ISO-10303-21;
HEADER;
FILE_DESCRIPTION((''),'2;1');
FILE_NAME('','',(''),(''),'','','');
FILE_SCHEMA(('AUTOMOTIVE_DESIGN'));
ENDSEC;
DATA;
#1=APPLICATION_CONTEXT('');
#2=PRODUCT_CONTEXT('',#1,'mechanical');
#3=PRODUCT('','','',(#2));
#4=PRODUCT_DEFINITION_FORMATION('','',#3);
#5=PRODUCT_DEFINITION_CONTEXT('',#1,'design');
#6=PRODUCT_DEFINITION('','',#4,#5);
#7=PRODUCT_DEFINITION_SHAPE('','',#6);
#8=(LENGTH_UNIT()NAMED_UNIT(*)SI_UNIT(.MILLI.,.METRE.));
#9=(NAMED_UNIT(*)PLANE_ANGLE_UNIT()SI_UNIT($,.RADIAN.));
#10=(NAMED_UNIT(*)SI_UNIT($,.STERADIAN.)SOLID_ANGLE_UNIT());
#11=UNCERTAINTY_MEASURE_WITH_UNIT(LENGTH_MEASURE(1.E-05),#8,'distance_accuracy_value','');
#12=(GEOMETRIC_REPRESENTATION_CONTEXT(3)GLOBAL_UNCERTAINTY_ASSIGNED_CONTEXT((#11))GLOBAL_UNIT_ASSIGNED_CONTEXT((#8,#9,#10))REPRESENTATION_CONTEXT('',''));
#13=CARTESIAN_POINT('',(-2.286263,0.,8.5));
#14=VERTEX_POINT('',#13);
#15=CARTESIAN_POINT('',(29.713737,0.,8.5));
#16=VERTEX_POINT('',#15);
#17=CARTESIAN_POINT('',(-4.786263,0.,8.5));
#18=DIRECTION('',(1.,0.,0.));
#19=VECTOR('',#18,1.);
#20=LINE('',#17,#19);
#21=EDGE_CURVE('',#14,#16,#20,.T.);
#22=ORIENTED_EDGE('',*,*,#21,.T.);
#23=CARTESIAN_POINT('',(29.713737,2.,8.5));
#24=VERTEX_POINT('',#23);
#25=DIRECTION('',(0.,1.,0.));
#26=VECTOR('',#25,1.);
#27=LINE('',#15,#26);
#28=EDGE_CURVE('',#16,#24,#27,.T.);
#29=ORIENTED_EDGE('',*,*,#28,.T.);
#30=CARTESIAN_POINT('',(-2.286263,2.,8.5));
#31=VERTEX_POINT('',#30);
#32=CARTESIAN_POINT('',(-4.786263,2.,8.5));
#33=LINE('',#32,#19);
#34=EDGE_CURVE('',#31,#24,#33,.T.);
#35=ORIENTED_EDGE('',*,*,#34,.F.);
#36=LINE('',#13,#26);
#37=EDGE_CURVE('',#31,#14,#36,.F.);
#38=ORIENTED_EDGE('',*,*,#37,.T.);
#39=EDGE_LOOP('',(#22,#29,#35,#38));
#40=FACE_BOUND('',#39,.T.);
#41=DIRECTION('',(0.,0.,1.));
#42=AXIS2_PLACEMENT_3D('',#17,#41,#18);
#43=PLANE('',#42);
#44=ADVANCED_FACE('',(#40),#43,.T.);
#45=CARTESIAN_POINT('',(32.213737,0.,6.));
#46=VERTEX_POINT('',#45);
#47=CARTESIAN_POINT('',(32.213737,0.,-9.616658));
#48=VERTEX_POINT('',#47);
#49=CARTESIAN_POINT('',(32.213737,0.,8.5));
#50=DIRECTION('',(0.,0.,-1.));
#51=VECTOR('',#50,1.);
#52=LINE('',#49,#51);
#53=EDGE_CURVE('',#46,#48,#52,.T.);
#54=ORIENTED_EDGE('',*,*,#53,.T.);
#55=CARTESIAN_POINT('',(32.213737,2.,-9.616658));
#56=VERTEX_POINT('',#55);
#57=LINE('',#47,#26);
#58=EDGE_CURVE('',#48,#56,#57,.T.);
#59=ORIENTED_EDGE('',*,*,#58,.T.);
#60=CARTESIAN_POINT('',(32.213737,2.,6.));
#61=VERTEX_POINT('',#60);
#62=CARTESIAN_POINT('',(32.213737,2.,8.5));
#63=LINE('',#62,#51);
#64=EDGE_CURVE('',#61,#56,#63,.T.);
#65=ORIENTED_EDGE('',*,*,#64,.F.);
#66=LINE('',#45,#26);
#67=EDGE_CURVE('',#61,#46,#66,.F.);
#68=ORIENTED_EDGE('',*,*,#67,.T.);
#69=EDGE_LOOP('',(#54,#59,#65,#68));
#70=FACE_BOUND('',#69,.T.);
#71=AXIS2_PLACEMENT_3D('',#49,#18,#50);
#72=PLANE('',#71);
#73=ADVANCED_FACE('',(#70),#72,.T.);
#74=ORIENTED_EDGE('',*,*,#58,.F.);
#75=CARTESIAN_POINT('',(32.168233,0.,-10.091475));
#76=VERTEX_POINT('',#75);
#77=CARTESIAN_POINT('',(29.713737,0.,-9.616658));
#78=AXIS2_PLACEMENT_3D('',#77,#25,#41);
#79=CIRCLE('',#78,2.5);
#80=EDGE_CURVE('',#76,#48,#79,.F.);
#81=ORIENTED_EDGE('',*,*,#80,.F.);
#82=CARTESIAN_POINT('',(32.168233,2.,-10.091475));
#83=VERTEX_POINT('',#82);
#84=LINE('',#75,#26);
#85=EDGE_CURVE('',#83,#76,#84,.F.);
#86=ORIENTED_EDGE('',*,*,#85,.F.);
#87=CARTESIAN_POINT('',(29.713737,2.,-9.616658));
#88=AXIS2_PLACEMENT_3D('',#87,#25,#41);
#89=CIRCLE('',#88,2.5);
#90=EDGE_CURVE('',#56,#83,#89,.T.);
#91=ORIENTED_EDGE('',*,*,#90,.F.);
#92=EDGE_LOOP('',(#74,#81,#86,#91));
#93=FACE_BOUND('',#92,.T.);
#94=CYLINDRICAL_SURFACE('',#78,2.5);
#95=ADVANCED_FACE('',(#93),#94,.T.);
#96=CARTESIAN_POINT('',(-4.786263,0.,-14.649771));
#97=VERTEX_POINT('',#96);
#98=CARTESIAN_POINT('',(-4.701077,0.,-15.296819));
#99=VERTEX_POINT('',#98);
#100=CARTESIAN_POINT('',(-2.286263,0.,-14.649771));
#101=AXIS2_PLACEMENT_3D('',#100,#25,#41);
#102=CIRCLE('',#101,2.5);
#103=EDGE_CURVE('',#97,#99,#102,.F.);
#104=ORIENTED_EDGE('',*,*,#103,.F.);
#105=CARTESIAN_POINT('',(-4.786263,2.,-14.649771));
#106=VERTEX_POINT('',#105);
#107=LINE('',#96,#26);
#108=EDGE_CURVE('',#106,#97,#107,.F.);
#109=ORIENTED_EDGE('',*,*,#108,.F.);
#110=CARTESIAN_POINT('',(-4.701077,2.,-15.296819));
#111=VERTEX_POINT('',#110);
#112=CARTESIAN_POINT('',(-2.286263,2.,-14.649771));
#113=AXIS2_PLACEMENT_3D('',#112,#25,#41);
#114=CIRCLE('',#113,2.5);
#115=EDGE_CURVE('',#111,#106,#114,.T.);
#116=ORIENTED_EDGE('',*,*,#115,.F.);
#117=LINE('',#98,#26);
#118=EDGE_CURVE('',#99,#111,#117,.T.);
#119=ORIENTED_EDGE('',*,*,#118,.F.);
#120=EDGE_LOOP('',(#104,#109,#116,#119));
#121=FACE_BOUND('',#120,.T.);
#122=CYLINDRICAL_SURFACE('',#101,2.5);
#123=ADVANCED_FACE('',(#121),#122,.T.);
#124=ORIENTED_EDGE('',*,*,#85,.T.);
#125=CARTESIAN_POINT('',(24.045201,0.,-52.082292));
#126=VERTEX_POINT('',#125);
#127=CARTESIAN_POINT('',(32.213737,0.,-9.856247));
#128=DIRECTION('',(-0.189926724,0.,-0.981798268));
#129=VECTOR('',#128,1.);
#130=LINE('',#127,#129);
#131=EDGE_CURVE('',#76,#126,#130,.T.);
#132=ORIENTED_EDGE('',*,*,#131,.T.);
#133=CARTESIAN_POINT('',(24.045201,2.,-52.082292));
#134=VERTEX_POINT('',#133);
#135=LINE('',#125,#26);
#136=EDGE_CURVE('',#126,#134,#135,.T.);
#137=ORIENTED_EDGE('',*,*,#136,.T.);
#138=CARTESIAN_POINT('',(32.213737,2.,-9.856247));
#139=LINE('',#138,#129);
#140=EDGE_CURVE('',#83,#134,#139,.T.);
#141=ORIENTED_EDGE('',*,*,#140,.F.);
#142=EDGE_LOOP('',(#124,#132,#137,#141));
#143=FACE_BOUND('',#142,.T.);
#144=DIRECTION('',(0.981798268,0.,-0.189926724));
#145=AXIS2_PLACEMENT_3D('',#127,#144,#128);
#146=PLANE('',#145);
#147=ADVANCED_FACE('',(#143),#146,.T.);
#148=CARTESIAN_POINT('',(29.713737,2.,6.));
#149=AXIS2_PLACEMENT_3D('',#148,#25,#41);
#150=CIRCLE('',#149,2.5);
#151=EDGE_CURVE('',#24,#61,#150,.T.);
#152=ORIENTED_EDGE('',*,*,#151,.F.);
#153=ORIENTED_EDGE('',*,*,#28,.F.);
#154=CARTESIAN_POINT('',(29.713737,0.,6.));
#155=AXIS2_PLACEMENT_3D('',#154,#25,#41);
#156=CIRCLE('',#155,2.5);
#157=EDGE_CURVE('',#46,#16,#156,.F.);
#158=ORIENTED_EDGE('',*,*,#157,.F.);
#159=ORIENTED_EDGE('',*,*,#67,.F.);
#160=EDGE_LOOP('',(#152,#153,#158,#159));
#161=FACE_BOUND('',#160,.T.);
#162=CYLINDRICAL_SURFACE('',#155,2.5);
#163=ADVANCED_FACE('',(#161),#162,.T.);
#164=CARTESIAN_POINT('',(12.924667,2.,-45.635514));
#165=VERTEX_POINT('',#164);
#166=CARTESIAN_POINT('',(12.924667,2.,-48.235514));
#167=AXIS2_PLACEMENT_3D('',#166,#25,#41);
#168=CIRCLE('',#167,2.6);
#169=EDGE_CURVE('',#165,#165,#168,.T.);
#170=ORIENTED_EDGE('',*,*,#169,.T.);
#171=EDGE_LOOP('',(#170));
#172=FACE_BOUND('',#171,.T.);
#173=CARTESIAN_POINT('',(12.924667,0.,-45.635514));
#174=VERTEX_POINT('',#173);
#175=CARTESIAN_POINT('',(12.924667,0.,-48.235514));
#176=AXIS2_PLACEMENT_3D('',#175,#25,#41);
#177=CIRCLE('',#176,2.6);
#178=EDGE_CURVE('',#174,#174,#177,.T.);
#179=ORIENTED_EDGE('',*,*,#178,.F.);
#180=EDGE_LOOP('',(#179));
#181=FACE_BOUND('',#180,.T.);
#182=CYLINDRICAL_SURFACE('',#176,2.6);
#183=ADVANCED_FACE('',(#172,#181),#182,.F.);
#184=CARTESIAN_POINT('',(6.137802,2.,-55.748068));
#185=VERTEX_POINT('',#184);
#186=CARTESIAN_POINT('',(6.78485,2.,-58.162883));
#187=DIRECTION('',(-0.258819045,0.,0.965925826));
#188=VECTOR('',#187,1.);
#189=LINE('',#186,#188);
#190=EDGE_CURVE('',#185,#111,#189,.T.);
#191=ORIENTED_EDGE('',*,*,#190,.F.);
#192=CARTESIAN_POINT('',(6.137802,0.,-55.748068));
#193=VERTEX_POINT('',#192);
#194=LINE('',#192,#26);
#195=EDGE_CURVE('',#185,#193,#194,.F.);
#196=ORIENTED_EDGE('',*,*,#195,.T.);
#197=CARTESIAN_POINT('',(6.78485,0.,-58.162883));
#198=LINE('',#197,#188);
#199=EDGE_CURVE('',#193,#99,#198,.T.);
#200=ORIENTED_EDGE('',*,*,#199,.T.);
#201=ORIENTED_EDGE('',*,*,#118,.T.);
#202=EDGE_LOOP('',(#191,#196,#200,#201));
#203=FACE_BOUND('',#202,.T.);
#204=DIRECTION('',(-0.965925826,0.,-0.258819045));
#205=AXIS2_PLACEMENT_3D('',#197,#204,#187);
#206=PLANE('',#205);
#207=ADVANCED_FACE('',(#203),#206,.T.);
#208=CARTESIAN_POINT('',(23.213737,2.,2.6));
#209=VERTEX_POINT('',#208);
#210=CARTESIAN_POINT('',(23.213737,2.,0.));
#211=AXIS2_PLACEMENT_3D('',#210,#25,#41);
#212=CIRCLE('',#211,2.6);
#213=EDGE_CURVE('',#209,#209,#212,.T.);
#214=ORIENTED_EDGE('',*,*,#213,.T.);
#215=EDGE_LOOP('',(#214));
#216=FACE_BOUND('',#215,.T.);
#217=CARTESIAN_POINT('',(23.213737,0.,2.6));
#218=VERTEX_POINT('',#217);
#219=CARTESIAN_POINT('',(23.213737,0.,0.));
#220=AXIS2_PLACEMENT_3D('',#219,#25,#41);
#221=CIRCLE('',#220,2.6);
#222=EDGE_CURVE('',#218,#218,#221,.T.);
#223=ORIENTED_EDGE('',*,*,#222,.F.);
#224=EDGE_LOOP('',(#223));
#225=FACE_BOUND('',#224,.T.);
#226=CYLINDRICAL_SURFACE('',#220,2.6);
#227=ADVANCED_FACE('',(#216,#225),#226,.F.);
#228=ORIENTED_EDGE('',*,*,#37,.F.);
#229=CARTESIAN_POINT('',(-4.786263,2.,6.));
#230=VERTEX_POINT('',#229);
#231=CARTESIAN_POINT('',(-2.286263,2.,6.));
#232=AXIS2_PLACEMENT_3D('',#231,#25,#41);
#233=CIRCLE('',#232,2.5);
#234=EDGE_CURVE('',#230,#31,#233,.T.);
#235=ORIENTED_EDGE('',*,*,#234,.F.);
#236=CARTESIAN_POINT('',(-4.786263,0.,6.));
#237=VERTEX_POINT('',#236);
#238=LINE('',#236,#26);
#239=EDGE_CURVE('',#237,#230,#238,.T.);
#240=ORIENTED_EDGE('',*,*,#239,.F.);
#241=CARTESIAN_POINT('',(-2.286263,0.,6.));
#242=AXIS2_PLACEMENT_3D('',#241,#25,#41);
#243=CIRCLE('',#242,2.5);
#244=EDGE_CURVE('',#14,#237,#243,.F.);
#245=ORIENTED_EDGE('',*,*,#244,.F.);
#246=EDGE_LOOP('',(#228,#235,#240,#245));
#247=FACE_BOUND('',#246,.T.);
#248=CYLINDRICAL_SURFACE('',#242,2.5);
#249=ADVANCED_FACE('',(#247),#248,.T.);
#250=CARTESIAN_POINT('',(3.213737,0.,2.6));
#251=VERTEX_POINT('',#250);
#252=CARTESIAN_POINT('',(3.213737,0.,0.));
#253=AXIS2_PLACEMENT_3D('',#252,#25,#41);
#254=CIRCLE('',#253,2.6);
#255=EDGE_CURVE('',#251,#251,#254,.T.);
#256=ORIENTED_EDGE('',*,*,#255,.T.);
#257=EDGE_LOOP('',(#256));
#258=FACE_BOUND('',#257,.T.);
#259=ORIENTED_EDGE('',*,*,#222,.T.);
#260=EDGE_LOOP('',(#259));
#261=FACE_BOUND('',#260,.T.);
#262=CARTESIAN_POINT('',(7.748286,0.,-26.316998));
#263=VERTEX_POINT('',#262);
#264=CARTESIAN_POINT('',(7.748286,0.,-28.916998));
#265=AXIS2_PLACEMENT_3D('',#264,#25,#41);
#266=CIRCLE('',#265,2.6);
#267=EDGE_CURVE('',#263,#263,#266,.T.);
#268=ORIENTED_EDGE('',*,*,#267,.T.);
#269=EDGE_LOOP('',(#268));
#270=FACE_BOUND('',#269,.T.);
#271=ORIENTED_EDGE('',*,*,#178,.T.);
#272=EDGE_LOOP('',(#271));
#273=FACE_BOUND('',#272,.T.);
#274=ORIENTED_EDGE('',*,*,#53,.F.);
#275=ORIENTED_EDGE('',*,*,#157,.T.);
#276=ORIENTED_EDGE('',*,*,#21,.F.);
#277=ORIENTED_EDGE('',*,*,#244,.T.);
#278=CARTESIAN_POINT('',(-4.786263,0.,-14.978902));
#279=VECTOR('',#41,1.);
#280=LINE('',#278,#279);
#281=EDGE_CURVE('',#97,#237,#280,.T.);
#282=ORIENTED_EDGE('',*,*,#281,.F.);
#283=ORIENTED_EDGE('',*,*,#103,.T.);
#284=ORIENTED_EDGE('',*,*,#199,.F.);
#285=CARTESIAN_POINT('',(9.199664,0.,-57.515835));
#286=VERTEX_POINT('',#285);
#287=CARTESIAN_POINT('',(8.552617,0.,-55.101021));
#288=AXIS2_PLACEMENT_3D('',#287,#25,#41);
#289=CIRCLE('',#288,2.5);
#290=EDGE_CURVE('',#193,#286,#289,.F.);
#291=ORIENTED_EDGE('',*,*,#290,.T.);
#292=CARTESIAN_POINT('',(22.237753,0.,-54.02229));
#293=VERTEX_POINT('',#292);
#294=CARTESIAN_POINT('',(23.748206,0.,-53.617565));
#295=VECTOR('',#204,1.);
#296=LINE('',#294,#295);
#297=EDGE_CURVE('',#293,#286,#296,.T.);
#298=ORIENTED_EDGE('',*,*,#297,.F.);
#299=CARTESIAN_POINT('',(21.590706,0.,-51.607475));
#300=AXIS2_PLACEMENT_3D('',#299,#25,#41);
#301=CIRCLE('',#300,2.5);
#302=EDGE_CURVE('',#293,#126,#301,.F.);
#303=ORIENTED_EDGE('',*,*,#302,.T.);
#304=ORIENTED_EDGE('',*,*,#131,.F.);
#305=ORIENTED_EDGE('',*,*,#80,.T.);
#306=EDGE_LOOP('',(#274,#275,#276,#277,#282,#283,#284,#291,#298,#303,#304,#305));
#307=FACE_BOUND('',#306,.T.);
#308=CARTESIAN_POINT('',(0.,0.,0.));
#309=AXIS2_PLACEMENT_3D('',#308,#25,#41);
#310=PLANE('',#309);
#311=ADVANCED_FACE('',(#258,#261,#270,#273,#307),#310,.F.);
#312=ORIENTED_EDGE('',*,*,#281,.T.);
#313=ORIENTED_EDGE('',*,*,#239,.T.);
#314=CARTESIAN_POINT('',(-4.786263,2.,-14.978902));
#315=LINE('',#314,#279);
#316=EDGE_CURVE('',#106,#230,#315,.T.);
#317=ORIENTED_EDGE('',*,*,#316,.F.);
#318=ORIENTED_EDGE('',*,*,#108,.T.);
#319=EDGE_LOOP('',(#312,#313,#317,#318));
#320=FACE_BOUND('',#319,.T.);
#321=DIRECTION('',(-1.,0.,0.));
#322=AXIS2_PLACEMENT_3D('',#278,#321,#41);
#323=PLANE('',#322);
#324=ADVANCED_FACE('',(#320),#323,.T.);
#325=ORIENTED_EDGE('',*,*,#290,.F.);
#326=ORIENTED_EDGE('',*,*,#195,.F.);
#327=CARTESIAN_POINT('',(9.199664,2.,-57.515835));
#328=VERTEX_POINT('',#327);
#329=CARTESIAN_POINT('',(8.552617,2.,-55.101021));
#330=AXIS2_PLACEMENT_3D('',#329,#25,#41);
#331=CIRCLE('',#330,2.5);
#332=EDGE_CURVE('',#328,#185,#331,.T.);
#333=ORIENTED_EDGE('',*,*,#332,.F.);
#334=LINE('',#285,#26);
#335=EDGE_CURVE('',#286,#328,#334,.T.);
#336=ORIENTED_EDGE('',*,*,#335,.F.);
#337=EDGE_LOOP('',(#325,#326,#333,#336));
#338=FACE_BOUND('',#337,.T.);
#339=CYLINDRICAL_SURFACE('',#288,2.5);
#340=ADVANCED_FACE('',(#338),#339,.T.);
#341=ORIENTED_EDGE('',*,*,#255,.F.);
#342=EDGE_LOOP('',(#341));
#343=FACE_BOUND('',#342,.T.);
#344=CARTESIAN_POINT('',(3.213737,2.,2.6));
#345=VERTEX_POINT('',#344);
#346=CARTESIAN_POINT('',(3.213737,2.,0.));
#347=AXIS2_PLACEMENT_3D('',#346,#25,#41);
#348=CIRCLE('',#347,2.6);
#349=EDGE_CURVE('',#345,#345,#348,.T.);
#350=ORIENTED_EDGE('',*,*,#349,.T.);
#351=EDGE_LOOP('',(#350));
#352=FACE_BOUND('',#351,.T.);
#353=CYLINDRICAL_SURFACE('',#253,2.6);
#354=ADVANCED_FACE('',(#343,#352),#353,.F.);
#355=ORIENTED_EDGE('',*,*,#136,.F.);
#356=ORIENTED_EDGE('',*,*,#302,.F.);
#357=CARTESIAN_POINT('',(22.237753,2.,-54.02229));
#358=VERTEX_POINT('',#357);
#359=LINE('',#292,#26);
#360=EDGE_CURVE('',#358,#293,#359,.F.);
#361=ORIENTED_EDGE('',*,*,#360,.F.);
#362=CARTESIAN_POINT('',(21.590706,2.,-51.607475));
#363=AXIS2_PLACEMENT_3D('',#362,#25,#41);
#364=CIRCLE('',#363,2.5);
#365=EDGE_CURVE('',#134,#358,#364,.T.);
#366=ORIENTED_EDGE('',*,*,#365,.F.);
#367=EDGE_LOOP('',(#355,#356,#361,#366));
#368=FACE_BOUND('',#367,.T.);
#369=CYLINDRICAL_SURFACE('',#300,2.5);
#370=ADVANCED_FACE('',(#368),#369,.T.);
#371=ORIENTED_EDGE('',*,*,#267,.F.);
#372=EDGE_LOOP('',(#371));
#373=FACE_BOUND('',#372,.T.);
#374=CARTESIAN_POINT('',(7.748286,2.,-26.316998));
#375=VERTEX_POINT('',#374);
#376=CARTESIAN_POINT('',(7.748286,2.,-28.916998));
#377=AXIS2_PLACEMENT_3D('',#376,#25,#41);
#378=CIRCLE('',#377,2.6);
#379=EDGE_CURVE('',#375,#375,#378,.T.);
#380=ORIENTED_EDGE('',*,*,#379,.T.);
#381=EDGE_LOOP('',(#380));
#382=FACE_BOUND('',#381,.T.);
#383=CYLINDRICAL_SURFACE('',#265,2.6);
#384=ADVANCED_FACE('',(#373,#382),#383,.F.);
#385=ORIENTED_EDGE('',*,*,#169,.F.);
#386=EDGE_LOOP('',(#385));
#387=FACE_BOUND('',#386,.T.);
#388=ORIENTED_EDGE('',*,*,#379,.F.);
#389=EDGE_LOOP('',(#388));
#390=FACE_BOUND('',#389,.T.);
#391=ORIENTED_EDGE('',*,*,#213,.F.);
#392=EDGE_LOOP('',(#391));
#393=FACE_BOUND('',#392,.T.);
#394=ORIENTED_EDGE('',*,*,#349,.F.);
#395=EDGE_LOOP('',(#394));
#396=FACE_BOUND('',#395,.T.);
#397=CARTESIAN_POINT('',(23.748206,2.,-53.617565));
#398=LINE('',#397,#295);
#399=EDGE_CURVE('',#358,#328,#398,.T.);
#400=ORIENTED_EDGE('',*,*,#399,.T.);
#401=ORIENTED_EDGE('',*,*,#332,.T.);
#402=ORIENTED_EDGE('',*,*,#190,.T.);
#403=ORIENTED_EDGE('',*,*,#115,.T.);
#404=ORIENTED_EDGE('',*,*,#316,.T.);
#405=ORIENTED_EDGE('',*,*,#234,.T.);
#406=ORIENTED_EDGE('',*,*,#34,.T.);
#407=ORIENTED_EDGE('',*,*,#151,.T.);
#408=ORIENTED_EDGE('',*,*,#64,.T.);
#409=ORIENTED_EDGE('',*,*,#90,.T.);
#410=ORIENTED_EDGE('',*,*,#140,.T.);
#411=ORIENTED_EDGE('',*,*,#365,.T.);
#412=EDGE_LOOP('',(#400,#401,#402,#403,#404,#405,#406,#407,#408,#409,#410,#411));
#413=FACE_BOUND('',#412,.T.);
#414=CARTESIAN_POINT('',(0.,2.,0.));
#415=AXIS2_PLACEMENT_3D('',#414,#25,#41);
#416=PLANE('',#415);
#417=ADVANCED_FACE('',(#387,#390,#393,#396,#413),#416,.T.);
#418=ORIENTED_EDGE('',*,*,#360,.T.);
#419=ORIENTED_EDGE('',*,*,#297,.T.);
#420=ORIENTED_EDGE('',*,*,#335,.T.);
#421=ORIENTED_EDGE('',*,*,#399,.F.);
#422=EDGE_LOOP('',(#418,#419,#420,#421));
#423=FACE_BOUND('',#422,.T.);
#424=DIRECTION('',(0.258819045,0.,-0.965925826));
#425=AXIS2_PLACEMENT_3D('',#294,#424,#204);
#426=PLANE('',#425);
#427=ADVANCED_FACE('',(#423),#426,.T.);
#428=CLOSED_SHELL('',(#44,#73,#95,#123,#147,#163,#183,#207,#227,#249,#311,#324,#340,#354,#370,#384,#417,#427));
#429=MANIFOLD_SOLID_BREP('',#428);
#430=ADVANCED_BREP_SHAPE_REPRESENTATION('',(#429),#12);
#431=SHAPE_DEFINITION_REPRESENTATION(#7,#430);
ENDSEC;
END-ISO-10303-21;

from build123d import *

# Parameters (mm, degrees)
EXTRUDE_1_DEPTH     = 2
SKETCH_7_OUTSIDE_W  = 58.13
SKETCH_7_OUTSIDE_H  = 88.13
CUT_EXTRUDE_5_DEPTH = 3
SKETCH_3_R          = 2.6
CUT_EXTRUDE_1_DEPTH = 3
FILLET_1_R          = 2.5


with BuildPart() as part:
    # Эскиз2 → Бобышка-Вытянуть1 (new body)
    with BuildSketch(Plane(origin=(0, 0, 0), x_dir=(1, 0, 0), z_dir=(0, 1, 0))):
        Polygon((33.713737203, -10), (33.713737203, 10), (25.042706268, 54.823619098), (5.724189742, 60), (-6.286262797, 15.176380902), (-6.286262797, -10), align=None)
    extrude(amount=EXTRUDE_1_DEPTH)

    # Эскиз7 outside → Вырез-Вытянуть5 (cut, through all)
    with BuildSketch(Plane(origin=(0, 2, 0), x_dir=(1, 0, 0), z_dir=(0, 1, 0))):
        with Locations((13.714, 25)):
            Rectangle(SKETCH_7_OUTSIDE_W, SKETCH_7_OUTSIDE_H)
        Polygon((32.213737203, -8.5), (32.213737203, 9.856246677), (23.748206001, 53.617565128), (6.784849914, 58.162882693), (-4.786262797, 14.978902156), (-4.786262797, -8.5), align=None, mode=Mode.SUBTRACT)
    extrude(amount=-CUT_EXTRUDE_5_DEPTH, mode=Mode.SUBTRACT)

    # Эскиз3 → Вырез-Вытянуть1 (cut, through all)
    with BuildSketch(Plane(origin=(0, 2, 0), x_dir=(1, 0, 0), z_dir=(0, 1, 0))):
        with Locations(Location((3.213737203, 0, 0), (0, 0, 270))):  # turned: the seam where the file's is
            Circle(SKETCH_3_R)
        with Locations(Location((7.748286174, 28.916997673, 0), (0, 0, 270))):  # turned: the seam where the file's is
            Circle(SKETCH_3_R)
        with Locations(Location((12.924667076, 48.235514199, 0), (0, 0, 270))):  # turned: the seam where the file's is
            Circle(SKETCH_3_R)
        with Locations(Location((23.213737203, 0, 0), (0, 0, 270))):  # turned: the seam where the file's is
            Circle(SKETCH_3_R)
        with Locations((43.213737203, 0)):
            Circle(SKETCH_3_R)
    extrude(amount=-CUT_EXTRUDE_1_DEPTH, mode=Mode.SUBTRACT)

    # Скругление1
    fillet_1_edges = [part.edges().sort_by_distance(p)[0] for p in [
        (6.784849914, 1, -58.162882693),
        (23.748206001, 1, -53.617565128),
        (32.213737203, 1, -9.856246677),
        (32.213737203, 1, 8.5),
        (-4.786262797, 1, 8.5),
        (-4.786262797, 1, -14.978902156),
    ]]
    fillet(fillet_1_edges, radius=FILLET_1_R)


solid = part.part
